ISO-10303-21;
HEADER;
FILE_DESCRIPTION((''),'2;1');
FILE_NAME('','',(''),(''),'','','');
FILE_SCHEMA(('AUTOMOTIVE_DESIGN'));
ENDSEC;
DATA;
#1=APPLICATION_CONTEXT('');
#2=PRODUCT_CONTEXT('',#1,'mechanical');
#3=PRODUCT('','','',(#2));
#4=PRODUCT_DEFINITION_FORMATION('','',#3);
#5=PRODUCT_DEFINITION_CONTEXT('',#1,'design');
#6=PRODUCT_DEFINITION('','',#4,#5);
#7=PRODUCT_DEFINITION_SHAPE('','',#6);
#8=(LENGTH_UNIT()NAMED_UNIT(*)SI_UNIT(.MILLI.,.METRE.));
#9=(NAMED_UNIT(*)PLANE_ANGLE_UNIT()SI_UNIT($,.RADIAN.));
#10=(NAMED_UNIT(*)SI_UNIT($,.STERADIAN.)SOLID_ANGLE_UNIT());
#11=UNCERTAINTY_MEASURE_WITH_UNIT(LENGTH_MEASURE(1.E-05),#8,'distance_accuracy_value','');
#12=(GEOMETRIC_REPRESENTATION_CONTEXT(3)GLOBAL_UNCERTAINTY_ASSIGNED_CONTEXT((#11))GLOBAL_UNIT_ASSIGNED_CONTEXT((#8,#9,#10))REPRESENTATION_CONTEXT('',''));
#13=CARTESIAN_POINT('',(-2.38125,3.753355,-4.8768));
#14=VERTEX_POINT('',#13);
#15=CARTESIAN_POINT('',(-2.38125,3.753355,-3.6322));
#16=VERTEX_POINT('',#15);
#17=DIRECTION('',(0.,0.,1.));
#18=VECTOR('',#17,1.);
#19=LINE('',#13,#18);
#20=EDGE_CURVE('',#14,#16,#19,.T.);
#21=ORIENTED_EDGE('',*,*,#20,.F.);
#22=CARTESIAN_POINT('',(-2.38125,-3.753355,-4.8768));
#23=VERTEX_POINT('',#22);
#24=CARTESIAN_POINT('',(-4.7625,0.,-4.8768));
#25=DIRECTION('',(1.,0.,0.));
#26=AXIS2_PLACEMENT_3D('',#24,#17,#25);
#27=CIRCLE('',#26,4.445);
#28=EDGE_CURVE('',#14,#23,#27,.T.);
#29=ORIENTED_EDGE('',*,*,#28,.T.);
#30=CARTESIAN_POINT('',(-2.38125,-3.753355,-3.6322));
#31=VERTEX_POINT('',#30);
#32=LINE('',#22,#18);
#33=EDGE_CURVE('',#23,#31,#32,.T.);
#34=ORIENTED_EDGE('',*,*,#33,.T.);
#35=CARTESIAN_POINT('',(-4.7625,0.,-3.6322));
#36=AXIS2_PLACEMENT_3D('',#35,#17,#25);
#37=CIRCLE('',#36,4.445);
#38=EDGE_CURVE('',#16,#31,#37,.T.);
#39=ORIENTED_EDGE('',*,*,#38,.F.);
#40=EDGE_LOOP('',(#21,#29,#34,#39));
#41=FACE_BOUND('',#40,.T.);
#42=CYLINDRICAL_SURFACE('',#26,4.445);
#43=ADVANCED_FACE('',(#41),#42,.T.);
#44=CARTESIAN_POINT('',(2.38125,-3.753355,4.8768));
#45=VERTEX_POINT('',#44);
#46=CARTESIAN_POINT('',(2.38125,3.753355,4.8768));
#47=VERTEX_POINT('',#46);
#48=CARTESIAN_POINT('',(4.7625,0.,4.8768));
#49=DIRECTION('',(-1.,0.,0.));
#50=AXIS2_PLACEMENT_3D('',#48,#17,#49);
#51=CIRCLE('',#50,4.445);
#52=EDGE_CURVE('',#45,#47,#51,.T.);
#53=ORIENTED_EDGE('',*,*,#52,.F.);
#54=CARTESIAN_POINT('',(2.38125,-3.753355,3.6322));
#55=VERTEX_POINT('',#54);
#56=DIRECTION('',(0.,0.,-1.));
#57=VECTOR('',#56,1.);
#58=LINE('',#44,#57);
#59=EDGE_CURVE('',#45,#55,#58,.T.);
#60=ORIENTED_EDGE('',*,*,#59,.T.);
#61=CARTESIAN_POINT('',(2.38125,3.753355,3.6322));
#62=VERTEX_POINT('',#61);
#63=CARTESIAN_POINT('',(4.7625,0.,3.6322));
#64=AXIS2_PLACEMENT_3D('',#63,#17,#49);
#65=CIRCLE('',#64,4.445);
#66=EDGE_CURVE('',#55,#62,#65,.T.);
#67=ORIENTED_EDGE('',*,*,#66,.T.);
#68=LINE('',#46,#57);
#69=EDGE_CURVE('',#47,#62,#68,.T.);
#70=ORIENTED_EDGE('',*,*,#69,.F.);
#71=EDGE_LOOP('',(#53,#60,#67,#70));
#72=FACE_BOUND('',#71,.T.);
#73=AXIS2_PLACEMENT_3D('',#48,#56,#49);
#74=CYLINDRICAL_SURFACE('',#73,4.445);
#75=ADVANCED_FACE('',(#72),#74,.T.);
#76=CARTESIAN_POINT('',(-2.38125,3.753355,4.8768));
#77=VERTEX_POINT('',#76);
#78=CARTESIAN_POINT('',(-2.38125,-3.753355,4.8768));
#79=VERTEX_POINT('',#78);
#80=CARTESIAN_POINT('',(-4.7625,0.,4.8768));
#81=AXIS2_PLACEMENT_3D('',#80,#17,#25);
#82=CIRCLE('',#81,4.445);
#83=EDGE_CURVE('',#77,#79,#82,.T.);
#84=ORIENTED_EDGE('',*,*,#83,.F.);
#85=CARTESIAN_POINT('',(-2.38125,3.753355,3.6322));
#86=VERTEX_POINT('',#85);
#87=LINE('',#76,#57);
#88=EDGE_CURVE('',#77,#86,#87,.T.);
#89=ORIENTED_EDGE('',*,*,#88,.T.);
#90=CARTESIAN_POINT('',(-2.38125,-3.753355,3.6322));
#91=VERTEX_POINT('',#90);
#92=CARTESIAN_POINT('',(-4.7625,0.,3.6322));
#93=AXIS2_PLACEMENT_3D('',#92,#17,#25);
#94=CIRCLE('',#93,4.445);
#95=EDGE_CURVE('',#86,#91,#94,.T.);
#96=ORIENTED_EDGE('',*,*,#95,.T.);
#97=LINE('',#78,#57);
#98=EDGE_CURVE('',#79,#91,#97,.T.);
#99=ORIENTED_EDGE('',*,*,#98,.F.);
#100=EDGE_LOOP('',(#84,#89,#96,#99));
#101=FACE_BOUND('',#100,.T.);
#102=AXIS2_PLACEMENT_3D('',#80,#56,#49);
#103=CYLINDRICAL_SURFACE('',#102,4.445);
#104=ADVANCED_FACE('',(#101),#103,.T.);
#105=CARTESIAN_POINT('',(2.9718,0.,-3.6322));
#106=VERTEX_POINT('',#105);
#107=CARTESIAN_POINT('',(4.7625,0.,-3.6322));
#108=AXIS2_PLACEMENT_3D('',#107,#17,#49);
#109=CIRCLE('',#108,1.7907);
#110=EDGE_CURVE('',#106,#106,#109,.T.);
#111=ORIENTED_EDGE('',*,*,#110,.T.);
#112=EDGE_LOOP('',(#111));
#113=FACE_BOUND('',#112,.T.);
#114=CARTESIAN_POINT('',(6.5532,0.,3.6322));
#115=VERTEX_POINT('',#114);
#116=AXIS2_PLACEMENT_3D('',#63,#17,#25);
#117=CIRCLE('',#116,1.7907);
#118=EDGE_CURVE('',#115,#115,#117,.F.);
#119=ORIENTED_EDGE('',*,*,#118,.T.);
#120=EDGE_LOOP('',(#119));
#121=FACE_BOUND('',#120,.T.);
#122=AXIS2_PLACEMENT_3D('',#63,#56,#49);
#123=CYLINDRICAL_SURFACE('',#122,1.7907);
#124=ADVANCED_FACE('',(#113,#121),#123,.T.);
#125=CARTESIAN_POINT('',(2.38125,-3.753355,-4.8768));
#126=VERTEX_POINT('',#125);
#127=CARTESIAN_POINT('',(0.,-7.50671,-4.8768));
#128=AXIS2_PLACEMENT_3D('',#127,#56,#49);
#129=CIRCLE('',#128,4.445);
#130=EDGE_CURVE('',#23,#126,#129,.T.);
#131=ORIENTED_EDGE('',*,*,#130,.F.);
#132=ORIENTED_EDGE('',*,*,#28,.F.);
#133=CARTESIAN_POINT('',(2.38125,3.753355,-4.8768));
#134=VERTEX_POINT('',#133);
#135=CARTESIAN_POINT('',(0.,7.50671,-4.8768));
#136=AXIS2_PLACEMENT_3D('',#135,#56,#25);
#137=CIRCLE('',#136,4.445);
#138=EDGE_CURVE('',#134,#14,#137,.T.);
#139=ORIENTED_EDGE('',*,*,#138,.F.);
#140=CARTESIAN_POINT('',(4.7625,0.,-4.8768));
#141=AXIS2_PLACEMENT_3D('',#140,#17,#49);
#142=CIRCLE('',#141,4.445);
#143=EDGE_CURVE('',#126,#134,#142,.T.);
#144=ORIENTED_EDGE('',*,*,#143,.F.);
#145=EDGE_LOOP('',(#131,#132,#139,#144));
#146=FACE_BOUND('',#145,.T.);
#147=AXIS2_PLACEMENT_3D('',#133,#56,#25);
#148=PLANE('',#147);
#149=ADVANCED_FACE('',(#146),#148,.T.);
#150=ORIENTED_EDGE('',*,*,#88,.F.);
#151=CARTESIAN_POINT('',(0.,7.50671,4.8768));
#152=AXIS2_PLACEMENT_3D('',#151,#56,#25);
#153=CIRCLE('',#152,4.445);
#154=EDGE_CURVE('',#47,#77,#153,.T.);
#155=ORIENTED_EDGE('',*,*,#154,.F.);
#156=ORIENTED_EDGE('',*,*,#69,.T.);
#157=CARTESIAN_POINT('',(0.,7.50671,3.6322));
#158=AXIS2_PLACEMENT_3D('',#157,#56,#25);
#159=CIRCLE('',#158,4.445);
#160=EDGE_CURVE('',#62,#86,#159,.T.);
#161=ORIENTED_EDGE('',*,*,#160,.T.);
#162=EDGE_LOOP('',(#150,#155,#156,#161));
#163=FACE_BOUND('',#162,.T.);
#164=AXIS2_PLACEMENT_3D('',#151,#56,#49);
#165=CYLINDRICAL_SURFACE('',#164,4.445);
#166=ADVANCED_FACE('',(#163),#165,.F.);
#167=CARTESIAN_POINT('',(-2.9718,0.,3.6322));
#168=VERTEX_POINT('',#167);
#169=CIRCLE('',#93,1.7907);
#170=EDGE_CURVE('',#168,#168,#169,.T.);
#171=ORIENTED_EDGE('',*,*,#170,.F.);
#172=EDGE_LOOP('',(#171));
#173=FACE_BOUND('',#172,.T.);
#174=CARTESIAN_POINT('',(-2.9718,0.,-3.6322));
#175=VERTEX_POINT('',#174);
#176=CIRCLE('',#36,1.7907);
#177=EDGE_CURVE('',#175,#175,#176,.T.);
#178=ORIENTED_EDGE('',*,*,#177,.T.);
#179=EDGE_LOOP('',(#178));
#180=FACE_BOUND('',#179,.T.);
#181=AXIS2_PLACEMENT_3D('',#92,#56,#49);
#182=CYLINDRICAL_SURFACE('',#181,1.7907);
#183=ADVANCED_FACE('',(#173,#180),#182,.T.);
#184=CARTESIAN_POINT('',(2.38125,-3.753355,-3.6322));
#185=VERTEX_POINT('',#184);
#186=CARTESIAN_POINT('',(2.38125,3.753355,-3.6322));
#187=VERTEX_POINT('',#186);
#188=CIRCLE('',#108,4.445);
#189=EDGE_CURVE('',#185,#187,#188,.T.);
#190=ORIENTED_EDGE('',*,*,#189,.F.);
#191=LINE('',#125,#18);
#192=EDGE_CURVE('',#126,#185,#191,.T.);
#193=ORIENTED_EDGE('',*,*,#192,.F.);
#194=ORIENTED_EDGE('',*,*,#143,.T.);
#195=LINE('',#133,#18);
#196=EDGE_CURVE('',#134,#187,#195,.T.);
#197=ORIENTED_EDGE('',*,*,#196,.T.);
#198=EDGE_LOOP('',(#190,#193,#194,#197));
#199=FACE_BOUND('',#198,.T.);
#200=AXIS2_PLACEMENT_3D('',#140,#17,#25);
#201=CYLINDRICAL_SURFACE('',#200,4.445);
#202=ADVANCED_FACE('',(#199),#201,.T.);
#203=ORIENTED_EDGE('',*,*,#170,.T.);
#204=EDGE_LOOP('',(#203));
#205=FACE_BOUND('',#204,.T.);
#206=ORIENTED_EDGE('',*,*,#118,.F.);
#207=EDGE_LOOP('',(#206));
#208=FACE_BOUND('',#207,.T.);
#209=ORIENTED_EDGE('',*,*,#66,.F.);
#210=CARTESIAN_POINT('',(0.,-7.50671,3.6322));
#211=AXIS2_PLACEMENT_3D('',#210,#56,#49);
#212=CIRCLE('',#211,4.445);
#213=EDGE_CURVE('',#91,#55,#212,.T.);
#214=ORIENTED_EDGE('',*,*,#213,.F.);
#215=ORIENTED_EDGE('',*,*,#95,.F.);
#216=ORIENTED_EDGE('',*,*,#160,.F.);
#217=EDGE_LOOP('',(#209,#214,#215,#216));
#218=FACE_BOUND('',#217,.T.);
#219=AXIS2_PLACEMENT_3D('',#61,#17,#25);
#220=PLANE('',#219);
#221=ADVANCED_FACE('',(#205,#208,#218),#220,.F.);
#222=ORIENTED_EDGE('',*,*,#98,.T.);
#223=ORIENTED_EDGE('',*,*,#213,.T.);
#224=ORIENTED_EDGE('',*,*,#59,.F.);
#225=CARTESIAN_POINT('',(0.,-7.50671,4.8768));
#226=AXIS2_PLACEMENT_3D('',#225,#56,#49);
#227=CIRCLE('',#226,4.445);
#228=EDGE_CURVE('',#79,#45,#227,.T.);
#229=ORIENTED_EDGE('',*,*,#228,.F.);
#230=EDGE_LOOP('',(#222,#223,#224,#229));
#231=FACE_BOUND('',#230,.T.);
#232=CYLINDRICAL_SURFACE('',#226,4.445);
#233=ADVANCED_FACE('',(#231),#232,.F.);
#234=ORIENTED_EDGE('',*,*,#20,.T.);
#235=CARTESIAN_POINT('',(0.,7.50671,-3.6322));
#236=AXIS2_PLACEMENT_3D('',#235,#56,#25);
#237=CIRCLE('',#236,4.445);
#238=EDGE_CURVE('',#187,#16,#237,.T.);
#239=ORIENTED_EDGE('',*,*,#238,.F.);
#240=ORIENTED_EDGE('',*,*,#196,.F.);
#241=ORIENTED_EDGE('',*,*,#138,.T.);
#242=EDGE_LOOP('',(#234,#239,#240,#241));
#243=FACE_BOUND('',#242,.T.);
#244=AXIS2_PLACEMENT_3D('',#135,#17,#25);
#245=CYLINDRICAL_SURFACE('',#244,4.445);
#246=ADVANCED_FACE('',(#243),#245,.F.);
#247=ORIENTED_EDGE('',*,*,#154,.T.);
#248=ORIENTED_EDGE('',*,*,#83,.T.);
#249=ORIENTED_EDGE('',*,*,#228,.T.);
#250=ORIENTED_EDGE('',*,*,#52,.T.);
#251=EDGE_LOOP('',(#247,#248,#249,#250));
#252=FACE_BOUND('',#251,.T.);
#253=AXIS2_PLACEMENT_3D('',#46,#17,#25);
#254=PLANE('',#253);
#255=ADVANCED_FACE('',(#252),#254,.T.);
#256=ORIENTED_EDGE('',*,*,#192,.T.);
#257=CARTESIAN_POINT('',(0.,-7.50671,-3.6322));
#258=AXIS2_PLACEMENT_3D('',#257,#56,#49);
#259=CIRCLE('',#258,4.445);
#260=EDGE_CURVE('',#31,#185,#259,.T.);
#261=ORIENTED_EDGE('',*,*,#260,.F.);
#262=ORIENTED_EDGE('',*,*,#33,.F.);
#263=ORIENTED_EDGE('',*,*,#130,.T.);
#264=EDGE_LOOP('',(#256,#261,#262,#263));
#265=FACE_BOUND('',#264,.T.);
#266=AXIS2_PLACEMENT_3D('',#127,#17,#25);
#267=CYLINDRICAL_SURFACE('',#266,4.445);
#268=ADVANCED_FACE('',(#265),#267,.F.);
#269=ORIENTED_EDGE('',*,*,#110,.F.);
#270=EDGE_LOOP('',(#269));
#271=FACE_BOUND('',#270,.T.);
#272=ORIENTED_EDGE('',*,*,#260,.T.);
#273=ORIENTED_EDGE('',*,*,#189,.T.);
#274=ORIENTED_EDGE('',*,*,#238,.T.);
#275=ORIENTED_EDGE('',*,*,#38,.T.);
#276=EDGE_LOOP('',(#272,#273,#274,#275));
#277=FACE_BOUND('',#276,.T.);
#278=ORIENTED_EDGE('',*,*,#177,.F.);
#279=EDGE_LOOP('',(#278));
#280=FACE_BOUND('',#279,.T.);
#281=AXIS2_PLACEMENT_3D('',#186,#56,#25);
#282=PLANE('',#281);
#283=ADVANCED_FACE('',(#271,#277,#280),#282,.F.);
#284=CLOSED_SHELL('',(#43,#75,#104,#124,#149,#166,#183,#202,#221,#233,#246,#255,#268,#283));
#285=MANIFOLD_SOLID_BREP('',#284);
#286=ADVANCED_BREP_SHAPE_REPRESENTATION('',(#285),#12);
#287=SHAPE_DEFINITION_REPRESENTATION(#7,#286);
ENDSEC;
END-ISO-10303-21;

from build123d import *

# Parameters (mm, degrees)
SKETCH1_R             = 1.7907
BOSS_EXTRUDE1_DEPTH   = 3.6322
BOSS_EXTRUDE1_2_DEPTH = 3.6322
BOSS_EXTRUDE2_DEPTH   = 1.2446


with BuildPart() as part:
    # Sketch1 → Boss-Extrude1 (new body, symmetric)
    with BuildSketch(Plane.XY):
        with Locations((-4.7625, 0)):
            Circle(SKETCH1_R)
    extrude(amount=BOSS_EXTRUDE1_DEPTH, both=True)



with BuildPart() as body_2:
    # Sketch1 → Boss-Extrude1 2 (new body, symmetric)
    with BuildSketch(Plane.XY):
        with Locations((4.7625, 0)):
            Circle(SKETCH1_R)
    extrude(amount=BOSS_EXTRUDE1_2_DEPTH, both=True)


with BuildPart() as part_1:
    add(part.part)

    add(body_2.part)  # Boss-Extrude2 merges body 2
    # Sketch3 → Boss-Extrude2 (add)
    with BuildSketch(Plane.XY.offset(3.6322)):
        with BuildLine():
            ThreePointArc((-2.38125, 3.753354958), (-9.2075, 0), (-2.38125, -3.753354958))
            ThreePointArc((-2.38125, -3.753354958), (0, -3.061709915), (2.38125, -3.753354958))
            ThreePointArc((2.38125, -3.753354958), (9.2075, 0), (2.38125, 3.753354958))
            ThreePointArc((2.38125, 3.753354958), (0, 3.061709915), (-2.38125, 3.753354958))
        make_face()
    boss_extrude2 = extrude(amount=BOSS_EXTRUDE2_DEPTH)

    # Mirror1: Boss-Extrude2 across plane
    add(boss_extrude2.mirror(Plane.XY))


solid = part_1.part
